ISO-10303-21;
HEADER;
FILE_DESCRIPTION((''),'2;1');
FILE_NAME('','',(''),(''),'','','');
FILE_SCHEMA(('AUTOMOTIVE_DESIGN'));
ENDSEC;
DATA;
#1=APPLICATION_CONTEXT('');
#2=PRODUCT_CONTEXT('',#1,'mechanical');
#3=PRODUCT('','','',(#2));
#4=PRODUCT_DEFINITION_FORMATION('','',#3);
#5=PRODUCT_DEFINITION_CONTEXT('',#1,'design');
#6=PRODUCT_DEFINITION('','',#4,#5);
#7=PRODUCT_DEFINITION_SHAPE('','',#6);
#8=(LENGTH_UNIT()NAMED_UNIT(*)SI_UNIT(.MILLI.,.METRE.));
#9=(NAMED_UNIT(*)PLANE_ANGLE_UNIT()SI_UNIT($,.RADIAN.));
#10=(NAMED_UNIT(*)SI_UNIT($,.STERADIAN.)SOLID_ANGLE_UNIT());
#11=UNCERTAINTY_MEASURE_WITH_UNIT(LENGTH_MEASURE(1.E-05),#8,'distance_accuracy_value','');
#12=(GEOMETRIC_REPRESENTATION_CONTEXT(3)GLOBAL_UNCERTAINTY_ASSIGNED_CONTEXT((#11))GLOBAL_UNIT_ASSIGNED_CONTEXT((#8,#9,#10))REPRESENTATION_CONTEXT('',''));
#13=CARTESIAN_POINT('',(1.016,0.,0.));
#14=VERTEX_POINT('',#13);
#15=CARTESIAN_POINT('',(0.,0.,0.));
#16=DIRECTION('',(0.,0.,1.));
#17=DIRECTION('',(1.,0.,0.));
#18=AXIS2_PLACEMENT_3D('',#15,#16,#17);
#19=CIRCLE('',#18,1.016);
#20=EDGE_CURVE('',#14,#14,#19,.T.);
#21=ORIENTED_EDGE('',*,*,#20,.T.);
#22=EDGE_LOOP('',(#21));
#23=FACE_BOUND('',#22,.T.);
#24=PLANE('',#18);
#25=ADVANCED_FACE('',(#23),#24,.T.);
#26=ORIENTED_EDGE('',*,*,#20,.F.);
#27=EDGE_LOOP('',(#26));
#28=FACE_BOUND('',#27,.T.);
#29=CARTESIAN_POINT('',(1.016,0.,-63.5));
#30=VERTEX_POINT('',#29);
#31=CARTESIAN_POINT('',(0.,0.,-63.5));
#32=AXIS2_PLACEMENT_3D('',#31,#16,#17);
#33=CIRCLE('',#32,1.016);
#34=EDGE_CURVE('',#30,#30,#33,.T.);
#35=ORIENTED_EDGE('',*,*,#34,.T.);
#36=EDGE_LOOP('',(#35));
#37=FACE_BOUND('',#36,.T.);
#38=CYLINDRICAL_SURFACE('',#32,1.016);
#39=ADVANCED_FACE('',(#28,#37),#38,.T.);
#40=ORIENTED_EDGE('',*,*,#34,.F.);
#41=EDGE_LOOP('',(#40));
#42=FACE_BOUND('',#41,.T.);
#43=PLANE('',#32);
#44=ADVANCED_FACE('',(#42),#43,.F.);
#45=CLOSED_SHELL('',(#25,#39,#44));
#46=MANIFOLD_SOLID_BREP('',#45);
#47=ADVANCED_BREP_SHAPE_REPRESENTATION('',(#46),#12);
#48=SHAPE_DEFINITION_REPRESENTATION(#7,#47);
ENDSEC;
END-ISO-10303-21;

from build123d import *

# Parameters (mm, degrees)
SKETCH1_R           = 1.016
BOSS_EXTRUDE1_DEPTH = 63.5


with BuildPart() as part:
    # Sketch1 → Boss-Extrude1 (new body)
    with BuildSketch(Plane.XY):
        Circle(SKETCH1_R)
    extrude(amount=-BOSS_EXTRUDE1_DEPTH)


solid = part.part
